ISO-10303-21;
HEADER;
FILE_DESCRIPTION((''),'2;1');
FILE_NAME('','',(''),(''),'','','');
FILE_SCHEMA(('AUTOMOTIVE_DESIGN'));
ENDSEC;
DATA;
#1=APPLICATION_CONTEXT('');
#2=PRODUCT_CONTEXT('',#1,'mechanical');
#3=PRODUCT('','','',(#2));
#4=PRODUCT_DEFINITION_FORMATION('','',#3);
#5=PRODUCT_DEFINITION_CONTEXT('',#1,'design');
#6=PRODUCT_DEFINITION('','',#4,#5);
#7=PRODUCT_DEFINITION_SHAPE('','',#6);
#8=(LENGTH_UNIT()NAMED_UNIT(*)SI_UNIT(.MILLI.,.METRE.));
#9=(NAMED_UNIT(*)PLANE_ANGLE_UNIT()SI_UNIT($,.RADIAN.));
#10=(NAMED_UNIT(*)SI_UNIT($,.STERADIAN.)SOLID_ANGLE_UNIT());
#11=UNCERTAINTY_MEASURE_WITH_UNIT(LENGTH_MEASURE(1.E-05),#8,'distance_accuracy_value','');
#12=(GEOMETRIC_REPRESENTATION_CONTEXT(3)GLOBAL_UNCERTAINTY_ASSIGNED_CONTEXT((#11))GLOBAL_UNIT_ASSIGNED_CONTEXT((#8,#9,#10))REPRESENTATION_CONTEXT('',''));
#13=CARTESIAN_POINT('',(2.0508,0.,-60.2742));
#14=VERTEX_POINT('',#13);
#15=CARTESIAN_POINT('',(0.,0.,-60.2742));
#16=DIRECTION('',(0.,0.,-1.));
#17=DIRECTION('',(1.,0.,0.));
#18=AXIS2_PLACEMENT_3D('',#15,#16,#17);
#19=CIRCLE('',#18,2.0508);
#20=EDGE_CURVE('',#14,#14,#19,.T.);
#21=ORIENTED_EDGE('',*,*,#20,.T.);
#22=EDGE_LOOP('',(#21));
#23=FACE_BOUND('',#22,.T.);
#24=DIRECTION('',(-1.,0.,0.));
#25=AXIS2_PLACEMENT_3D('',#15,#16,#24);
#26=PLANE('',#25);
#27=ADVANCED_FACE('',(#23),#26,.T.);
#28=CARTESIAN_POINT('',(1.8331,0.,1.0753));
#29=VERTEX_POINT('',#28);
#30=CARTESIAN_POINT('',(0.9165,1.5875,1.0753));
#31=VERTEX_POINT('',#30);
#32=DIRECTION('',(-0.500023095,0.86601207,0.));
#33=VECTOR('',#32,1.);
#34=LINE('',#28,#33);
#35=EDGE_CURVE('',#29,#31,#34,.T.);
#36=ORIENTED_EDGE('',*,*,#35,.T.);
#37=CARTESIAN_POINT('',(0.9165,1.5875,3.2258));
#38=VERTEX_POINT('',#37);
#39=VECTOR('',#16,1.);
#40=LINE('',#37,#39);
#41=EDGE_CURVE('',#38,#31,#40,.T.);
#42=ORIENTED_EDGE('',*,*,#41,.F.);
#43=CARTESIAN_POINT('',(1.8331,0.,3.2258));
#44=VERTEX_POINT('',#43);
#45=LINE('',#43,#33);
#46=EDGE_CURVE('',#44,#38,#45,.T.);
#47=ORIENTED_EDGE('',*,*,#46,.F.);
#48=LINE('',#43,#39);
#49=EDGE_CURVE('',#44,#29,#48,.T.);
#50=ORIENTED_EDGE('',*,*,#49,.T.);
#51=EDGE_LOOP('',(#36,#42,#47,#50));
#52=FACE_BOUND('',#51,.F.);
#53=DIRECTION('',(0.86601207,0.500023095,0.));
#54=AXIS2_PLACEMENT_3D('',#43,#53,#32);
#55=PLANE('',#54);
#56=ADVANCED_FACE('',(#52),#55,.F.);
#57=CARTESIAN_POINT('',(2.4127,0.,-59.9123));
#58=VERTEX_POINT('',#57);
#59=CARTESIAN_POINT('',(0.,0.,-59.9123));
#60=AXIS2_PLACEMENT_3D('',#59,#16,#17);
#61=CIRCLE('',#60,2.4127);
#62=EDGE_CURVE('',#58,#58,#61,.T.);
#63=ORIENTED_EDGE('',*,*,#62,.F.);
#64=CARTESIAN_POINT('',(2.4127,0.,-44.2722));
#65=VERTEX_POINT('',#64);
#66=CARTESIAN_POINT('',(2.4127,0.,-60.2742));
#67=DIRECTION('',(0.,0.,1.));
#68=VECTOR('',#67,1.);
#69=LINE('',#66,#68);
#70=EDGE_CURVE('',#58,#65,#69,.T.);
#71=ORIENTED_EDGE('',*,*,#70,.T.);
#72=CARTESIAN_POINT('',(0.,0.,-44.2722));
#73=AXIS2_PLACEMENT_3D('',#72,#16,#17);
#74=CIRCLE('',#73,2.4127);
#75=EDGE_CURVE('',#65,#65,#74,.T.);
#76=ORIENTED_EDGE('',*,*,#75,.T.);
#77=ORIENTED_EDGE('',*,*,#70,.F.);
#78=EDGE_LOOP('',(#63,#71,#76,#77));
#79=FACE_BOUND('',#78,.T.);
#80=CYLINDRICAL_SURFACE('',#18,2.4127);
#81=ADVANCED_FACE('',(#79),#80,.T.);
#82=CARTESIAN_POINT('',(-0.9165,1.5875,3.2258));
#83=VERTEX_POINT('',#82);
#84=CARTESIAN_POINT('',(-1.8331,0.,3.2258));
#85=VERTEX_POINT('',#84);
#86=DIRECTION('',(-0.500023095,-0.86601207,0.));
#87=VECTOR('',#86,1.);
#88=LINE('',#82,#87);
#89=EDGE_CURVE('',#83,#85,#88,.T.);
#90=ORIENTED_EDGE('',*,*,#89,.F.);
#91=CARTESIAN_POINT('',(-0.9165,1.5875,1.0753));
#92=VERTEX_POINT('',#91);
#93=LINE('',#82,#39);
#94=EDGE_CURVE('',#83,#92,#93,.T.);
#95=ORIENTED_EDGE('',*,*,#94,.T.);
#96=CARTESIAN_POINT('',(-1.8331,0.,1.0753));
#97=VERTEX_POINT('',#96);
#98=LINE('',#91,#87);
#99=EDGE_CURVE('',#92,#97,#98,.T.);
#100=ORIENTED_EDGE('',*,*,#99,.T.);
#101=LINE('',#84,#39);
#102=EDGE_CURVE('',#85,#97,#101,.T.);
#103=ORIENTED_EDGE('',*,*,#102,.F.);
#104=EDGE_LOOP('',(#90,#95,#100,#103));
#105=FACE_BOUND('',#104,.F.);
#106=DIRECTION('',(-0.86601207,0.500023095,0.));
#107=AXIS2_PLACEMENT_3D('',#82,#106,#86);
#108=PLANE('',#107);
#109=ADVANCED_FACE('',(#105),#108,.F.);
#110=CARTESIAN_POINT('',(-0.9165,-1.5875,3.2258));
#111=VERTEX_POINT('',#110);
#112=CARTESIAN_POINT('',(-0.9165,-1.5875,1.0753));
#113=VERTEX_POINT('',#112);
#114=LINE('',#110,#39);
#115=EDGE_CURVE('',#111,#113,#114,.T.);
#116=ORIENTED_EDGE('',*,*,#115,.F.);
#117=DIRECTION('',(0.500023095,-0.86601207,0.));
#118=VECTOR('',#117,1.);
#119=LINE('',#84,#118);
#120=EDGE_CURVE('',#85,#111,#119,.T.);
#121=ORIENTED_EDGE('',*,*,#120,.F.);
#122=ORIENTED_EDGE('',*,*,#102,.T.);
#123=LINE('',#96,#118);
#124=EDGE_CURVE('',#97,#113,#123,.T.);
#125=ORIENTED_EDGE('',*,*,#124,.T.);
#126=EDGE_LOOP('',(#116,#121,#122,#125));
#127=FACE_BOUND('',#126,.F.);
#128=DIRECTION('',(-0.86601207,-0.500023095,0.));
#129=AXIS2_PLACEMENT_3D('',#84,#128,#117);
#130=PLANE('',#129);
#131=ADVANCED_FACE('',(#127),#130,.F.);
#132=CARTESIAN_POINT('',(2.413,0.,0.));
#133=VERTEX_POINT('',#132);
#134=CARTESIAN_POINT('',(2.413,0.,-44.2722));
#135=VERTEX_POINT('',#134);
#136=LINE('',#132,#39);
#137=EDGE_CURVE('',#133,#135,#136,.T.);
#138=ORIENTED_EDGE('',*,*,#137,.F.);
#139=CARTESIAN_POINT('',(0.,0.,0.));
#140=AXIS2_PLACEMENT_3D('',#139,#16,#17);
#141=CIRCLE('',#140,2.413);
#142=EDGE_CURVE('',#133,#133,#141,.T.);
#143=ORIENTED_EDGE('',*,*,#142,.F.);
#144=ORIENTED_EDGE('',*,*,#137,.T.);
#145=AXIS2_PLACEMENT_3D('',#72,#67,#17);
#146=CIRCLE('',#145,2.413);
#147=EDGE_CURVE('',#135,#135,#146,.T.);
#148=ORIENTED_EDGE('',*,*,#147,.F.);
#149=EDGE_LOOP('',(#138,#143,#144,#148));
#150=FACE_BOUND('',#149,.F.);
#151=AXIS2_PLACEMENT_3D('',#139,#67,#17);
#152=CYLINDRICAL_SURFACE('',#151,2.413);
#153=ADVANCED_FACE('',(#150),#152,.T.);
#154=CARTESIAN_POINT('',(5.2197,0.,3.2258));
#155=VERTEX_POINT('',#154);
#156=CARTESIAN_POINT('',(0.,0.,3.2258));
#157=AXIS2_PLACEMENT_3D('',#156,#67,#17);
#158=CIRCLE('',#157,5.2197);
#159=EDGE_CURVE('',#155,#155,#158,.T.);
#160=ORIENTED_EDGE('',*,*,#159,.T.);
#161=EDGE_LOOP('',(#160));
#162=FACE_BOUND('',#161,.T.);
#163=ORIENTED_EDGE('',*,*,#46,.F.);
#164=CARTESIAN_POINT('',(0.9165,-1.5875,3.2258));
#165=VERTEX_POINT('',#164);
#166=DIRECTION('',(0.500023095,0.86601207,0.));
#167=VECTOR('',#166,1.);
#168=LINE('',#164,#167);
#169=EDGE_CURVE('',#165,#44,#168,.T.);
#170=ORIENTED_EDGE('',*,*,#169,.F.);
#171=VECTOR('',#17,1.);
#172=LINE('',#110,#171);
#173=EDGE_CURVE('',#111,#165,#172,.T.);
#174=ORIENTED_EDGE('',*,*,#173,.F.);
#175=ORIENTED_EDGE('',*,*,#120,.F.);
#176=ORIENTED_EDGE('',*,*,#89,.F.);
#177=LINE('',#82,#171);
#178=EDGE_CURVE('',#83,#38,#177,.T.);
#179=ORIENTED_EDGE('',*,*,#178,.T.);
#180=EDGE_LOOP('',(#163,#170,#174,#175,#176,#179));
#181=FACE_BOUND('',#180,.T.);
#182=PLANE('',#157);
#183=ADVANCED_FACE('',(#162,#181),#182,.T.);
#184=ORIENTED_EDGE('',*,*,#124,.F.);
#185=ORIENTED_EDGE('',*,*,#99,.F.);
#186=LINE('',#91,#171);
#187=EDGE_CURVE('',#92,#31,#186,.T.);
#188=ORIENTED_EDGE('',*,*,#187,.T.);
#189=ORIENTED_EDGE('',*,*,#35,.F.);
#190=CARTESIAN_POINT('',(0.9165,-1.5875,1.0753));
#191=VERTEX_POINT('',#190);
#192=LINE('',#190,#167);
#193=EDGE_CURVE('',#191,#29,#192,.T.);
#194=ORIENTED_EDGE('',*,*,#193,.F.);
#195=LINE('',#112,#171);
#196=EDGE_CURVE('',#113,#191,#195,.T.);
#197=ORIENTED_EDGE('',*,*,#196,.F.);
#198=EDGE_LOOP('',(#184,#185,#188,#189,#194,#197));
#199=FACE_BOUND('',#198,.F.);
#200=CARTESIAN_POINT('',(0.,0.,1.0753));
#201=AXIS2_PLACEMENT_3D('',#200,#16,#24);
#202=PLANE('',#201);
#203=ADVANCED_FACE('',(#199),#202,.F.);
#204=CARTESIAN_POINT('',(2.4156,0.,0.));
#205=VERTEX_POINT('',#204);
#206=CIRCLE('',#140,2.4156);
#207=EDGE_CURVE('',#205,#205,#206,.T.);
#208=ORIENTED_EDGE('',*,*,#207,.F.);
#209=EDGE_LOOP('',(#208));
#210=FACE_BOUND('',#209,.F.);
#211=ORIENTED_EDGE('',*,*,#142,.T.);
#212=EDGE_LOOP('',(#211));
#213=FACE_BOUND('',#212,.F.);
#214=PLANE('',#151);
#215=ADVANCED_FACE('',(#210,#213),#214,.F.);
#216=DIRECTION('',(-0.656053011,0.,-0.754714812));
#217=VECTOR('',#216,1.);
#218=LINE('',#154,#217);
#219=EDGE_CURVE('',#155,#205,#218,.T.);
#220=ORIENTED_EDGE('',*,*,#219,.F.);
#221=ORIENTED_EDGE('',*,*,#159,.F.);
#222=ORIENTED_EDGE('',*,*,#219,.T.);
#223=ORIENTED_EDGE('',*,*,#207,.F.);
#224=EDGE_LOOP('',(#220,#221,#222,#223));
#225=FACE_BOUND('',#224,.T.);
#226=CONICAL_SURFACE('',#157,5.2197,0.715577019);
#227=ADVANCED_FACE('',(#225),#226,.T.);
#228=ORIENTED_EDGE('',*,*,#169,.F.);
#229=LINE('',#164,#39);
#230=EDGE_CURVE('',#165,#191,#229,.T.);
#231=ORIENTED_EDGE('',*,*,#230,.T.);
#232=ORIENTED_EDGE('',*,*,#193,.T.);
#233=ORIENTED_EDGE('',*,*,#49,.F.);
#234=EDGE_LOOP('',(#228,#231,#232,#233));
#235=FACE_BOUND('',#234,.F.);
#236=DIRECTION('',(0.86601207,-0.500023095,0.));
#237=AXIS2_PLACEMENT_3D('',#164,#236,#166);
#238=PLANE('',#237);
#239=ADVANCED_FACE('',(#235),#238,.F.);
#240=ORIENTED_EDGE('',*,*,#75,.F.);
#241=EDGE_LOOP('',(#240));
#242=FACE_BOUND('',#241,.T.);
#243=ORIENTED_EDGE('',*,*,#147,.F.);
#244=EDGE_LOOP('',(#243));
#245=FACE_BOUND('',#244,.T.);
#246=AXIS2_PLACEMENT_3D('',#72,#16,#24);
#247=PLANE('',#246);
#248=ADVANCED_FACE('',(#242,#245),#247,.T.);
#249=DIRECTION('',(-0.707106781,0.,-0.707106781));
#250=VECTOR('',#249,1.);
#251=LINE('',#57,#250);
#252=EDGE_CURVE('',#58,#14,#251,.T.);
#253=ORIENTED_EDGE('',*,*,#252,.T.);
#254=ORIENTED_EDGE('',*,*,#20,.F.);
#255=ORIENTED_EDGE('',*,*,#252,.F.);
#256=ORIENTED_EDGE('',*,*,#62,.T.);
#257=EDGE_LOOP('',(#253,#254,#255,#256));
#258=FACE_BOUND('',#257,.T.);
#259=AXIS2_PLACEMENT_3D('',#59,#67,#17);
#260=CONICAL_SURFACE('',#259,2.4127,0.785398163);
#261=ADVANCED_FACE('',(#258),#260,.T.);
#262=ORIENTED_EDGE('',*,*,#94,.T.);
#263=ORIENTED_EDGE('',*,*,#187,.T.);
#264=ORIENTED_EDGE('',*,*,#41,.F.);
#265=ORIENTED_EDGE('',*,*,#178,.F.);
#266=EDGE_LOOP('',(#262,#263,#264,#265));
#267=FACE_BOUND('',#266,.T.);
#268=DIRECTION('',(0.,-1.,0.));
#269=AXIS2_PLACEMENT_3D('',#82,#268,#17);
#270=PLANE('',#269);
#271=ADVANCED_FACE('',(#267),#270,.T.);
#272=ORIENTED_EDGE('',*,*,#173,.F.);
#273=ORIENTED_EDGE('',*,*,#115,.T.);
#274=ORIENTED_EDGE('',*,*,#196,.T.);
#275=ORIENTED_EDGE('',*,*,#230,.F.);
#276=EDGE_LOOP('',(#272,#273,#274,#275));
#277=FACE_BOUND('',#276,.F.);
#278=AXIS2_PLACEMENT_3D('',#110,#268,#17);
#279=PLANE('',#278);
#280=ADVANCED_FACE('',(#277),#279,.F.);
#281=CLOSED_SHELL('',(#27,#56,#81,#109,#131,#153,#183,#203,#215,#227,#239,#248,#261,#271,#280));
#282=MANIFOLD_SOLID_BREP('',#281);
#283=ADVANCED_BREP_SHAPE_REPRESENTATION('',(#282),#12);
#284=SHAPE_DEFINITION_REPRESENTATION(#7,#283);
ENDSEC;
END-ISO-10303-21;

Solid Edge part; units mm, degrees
sketch "Sketch1" plane through (0, 0, 0) normal (0, 0, 1) x (1, 0, 0)
  circle A0 centre (0, 0) radius 5.2197
  dimension "D1" = 10.4394
extrude "Protrusion1" add sketch "Sketch1" along normal blind 3.2258
sketch "Sketch2" plane through (0, 0, 0) normal (0, 0, -1) x (1, 0, 0)
  circle A0 centre (0, 0) radius 2.413
extrude "Protrusion2" add sketch "Sketch2" along normal blind 60.2742
sketch "Sketch3" plane through (0, 0, -60.2742) normal (0, 0, -1) x (1, 0, 0)
  circle A0 centre (0, 0) radius 2.4127
extrude "Cutout1" cut sketch "Sketch3" against normal blind 16.002 flip side to cut
chamfer "Chamfer_1" distance 0.3619 angle 45 1 edges at (-2.4127, 0, -60.2742)
sketch "Sketch4" plane through (0, 0, 3.2258) normal (0, 0, 1) x (1, 0, 0)
  line L0 (-0.9165, 1.5875) -> (0.9165, 1.5875)
  line L1 (1.8331, 0) -> (0.9165, 1.5875)
  line L2 (0.9165, -1.5875) -> (1.8331, 0)
  line L3 (-0.9165, -1.5875) -> (0.9165, -1.5875)
  line L4 (-1.8331, 0) -> (-0.9165, -1.5875)
  line L5 (-0.9165, 1.5875) -> (-1.8331, 0)
  dimension "D1" = 3.175
extrude "Cutout2" cut sketch "Sketch4" against normal blind 2.1505
sketch "Sketch5" plane through (0, 0, 0) normal (0, -1, 0) x (1, 0, 0)
  line L0 (5.2197, 3.2258) -> (2.4156, 0)
  line L1 (2.4156, 0) -> (5.2197, 0)
  line L2 (5.2197, 0) -> (5.2197, 3.2258)
revolve "RevolvedCutout1" cut sketch "Sketch5" angle 360 about axis through (0, 0, 14.0017) along (0, 0, -1)
properties part number "24104997"
